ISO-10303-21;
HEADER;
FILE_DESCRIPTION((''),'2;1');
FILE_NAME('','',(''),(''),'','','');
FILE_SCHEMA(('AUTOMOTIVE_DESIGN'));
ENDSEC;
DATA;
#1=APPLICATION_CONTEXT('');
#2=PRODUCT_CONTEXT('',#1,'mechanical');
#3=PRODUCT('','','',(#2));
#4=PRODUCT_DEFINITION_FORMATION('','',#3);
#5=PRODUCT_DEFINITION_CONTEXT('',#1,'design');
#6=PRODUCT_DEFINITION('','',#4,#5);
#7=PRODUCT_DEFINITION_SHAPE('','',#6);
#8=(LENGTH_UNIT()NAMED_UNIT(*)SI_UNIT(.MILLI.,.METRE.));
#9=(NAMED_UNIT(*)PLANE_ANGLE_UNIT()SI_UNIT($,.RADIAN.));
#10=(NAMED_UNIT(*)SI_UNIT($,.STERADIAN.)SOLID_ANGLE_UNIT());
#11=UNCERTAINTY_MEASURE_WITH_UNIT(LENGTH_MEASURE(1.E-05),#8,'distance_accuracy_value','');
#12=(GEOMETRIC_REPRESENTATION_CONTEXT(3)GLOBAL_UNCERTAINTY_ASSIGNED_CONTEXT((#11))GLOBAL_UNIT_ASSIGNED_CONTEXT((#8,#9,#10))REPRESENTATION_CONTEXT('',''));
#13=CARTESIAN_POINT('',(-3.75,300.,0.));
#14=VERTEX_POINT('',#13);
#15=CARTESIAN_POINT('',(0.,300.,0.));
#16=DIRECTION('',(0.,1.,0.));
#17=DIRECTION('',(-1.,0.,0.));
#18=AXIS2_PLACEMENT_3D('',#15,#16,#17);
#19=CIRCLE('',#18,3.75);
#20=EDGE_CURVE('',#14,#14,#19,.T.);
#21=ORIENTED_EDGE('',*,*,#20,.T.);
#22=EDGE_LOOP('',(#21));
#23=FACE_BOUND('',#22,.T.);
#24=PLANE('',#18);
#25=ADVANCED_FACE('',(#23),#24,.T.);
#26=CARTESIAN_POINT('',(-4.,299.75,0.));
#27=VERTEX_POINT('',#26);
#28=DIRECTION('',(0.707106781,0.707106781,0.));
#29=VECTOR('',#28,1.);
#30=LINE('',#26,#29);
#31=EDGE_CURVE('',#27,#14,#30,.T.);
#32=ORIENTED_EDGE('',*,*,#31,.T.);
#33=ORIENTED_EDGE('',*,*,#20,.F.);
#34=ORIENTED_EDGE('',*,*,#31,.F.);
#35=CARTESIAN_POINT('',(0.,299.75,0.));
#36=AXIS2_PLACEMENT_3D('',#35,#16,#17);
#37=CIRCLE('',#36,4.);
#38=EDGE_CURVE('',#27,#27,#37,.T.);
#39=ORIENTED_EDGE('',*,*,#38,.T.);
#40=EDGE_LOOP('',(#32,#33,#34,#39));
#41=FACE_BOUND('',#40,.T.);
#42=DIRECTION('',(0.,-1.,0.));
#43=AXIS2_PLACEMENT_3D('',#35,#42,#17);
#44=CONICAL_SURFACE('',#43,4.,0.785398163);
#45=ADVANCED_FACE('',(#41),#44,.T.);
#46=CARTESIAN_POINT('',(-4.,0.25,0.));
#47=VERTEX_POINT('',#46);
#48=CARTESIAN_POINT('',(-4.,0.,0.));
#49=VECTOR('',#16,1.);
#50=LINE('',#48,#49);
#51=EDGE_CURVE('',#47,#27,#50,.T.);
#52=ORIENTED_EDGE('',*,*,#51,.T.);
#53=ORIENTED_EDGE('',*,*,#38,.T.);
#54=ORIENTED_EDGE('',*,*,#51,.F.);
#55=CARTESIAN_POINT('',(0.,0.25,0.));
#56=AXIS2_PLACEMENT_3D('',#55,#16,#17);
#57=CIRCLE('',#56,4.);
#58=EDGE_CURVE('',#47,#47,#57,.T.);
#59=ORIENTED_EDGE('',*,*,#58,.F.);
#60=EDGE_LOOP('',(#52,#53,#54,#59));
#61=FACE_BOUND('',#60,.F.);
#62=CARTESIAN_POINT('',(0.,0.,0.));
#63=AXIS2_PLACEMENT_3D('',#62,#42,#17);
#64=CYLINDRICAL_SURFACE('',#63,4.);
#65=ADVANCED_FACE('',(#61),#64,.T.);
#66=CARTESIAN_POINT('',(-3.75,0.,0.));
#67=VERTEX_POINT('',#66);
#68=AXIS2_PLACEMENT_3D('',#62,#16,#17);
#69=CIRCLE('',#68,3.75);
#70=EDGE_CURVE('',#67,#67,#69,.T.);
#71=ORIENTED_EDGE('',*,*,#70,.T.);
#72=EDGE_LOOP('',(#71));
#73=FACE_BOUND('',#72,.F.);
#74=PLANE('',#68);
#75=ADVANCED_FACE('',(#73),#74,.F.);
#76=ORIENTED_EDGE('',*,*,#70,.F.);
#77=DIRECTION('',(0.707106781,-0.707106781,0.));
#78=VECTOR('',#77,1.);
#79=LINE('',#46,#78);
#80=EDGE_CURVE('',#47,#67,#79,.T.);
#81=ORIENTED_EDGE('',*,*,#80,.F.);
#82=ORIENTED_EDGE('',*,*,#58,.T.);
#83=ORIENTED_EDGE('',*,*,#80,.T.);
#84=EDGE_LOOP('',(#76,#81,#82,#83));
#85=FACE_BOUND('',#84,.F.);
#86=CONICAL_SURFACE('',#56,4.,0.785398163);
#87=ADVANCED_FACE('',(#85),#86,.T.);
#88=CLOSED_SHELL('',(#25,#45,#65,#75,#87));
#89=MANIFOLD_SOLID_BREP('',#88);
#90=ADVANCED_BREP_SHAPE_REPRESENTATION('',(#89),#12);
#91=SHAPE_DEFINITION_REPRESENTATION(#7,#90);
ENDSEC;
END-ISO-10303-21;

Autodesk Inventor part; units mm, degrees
ref_plane "YZ Plane" through (0, 0, 0) normal (1, 0, 0) x (0, 1, 0)
ref_plane "XZ Plane" through (0, 0, 0) normal (0, 1, 0) x (-1, 0, 0)
ref_plane "XY Plane" through (0, 0, 0) normal (0, 0, 1) x (1, 0, 0)
sketch "Sketch1" plane through (0, 0, 0) normal (0, 1, 0) x (-1, 0, 0)
  circle A0 centre (0, 0) radius 4
  dimension "d0" = 8
extrude "Extrusion1" add sketch "Sketch1" along normal blind 300
chamfer "Chamfer1" distance 0.25 angle 45 2 edges at (4, 300, 0) (4, 0, 0)
properties part number "Y-Axis Smooth Rod" material "Stainless Steel"
